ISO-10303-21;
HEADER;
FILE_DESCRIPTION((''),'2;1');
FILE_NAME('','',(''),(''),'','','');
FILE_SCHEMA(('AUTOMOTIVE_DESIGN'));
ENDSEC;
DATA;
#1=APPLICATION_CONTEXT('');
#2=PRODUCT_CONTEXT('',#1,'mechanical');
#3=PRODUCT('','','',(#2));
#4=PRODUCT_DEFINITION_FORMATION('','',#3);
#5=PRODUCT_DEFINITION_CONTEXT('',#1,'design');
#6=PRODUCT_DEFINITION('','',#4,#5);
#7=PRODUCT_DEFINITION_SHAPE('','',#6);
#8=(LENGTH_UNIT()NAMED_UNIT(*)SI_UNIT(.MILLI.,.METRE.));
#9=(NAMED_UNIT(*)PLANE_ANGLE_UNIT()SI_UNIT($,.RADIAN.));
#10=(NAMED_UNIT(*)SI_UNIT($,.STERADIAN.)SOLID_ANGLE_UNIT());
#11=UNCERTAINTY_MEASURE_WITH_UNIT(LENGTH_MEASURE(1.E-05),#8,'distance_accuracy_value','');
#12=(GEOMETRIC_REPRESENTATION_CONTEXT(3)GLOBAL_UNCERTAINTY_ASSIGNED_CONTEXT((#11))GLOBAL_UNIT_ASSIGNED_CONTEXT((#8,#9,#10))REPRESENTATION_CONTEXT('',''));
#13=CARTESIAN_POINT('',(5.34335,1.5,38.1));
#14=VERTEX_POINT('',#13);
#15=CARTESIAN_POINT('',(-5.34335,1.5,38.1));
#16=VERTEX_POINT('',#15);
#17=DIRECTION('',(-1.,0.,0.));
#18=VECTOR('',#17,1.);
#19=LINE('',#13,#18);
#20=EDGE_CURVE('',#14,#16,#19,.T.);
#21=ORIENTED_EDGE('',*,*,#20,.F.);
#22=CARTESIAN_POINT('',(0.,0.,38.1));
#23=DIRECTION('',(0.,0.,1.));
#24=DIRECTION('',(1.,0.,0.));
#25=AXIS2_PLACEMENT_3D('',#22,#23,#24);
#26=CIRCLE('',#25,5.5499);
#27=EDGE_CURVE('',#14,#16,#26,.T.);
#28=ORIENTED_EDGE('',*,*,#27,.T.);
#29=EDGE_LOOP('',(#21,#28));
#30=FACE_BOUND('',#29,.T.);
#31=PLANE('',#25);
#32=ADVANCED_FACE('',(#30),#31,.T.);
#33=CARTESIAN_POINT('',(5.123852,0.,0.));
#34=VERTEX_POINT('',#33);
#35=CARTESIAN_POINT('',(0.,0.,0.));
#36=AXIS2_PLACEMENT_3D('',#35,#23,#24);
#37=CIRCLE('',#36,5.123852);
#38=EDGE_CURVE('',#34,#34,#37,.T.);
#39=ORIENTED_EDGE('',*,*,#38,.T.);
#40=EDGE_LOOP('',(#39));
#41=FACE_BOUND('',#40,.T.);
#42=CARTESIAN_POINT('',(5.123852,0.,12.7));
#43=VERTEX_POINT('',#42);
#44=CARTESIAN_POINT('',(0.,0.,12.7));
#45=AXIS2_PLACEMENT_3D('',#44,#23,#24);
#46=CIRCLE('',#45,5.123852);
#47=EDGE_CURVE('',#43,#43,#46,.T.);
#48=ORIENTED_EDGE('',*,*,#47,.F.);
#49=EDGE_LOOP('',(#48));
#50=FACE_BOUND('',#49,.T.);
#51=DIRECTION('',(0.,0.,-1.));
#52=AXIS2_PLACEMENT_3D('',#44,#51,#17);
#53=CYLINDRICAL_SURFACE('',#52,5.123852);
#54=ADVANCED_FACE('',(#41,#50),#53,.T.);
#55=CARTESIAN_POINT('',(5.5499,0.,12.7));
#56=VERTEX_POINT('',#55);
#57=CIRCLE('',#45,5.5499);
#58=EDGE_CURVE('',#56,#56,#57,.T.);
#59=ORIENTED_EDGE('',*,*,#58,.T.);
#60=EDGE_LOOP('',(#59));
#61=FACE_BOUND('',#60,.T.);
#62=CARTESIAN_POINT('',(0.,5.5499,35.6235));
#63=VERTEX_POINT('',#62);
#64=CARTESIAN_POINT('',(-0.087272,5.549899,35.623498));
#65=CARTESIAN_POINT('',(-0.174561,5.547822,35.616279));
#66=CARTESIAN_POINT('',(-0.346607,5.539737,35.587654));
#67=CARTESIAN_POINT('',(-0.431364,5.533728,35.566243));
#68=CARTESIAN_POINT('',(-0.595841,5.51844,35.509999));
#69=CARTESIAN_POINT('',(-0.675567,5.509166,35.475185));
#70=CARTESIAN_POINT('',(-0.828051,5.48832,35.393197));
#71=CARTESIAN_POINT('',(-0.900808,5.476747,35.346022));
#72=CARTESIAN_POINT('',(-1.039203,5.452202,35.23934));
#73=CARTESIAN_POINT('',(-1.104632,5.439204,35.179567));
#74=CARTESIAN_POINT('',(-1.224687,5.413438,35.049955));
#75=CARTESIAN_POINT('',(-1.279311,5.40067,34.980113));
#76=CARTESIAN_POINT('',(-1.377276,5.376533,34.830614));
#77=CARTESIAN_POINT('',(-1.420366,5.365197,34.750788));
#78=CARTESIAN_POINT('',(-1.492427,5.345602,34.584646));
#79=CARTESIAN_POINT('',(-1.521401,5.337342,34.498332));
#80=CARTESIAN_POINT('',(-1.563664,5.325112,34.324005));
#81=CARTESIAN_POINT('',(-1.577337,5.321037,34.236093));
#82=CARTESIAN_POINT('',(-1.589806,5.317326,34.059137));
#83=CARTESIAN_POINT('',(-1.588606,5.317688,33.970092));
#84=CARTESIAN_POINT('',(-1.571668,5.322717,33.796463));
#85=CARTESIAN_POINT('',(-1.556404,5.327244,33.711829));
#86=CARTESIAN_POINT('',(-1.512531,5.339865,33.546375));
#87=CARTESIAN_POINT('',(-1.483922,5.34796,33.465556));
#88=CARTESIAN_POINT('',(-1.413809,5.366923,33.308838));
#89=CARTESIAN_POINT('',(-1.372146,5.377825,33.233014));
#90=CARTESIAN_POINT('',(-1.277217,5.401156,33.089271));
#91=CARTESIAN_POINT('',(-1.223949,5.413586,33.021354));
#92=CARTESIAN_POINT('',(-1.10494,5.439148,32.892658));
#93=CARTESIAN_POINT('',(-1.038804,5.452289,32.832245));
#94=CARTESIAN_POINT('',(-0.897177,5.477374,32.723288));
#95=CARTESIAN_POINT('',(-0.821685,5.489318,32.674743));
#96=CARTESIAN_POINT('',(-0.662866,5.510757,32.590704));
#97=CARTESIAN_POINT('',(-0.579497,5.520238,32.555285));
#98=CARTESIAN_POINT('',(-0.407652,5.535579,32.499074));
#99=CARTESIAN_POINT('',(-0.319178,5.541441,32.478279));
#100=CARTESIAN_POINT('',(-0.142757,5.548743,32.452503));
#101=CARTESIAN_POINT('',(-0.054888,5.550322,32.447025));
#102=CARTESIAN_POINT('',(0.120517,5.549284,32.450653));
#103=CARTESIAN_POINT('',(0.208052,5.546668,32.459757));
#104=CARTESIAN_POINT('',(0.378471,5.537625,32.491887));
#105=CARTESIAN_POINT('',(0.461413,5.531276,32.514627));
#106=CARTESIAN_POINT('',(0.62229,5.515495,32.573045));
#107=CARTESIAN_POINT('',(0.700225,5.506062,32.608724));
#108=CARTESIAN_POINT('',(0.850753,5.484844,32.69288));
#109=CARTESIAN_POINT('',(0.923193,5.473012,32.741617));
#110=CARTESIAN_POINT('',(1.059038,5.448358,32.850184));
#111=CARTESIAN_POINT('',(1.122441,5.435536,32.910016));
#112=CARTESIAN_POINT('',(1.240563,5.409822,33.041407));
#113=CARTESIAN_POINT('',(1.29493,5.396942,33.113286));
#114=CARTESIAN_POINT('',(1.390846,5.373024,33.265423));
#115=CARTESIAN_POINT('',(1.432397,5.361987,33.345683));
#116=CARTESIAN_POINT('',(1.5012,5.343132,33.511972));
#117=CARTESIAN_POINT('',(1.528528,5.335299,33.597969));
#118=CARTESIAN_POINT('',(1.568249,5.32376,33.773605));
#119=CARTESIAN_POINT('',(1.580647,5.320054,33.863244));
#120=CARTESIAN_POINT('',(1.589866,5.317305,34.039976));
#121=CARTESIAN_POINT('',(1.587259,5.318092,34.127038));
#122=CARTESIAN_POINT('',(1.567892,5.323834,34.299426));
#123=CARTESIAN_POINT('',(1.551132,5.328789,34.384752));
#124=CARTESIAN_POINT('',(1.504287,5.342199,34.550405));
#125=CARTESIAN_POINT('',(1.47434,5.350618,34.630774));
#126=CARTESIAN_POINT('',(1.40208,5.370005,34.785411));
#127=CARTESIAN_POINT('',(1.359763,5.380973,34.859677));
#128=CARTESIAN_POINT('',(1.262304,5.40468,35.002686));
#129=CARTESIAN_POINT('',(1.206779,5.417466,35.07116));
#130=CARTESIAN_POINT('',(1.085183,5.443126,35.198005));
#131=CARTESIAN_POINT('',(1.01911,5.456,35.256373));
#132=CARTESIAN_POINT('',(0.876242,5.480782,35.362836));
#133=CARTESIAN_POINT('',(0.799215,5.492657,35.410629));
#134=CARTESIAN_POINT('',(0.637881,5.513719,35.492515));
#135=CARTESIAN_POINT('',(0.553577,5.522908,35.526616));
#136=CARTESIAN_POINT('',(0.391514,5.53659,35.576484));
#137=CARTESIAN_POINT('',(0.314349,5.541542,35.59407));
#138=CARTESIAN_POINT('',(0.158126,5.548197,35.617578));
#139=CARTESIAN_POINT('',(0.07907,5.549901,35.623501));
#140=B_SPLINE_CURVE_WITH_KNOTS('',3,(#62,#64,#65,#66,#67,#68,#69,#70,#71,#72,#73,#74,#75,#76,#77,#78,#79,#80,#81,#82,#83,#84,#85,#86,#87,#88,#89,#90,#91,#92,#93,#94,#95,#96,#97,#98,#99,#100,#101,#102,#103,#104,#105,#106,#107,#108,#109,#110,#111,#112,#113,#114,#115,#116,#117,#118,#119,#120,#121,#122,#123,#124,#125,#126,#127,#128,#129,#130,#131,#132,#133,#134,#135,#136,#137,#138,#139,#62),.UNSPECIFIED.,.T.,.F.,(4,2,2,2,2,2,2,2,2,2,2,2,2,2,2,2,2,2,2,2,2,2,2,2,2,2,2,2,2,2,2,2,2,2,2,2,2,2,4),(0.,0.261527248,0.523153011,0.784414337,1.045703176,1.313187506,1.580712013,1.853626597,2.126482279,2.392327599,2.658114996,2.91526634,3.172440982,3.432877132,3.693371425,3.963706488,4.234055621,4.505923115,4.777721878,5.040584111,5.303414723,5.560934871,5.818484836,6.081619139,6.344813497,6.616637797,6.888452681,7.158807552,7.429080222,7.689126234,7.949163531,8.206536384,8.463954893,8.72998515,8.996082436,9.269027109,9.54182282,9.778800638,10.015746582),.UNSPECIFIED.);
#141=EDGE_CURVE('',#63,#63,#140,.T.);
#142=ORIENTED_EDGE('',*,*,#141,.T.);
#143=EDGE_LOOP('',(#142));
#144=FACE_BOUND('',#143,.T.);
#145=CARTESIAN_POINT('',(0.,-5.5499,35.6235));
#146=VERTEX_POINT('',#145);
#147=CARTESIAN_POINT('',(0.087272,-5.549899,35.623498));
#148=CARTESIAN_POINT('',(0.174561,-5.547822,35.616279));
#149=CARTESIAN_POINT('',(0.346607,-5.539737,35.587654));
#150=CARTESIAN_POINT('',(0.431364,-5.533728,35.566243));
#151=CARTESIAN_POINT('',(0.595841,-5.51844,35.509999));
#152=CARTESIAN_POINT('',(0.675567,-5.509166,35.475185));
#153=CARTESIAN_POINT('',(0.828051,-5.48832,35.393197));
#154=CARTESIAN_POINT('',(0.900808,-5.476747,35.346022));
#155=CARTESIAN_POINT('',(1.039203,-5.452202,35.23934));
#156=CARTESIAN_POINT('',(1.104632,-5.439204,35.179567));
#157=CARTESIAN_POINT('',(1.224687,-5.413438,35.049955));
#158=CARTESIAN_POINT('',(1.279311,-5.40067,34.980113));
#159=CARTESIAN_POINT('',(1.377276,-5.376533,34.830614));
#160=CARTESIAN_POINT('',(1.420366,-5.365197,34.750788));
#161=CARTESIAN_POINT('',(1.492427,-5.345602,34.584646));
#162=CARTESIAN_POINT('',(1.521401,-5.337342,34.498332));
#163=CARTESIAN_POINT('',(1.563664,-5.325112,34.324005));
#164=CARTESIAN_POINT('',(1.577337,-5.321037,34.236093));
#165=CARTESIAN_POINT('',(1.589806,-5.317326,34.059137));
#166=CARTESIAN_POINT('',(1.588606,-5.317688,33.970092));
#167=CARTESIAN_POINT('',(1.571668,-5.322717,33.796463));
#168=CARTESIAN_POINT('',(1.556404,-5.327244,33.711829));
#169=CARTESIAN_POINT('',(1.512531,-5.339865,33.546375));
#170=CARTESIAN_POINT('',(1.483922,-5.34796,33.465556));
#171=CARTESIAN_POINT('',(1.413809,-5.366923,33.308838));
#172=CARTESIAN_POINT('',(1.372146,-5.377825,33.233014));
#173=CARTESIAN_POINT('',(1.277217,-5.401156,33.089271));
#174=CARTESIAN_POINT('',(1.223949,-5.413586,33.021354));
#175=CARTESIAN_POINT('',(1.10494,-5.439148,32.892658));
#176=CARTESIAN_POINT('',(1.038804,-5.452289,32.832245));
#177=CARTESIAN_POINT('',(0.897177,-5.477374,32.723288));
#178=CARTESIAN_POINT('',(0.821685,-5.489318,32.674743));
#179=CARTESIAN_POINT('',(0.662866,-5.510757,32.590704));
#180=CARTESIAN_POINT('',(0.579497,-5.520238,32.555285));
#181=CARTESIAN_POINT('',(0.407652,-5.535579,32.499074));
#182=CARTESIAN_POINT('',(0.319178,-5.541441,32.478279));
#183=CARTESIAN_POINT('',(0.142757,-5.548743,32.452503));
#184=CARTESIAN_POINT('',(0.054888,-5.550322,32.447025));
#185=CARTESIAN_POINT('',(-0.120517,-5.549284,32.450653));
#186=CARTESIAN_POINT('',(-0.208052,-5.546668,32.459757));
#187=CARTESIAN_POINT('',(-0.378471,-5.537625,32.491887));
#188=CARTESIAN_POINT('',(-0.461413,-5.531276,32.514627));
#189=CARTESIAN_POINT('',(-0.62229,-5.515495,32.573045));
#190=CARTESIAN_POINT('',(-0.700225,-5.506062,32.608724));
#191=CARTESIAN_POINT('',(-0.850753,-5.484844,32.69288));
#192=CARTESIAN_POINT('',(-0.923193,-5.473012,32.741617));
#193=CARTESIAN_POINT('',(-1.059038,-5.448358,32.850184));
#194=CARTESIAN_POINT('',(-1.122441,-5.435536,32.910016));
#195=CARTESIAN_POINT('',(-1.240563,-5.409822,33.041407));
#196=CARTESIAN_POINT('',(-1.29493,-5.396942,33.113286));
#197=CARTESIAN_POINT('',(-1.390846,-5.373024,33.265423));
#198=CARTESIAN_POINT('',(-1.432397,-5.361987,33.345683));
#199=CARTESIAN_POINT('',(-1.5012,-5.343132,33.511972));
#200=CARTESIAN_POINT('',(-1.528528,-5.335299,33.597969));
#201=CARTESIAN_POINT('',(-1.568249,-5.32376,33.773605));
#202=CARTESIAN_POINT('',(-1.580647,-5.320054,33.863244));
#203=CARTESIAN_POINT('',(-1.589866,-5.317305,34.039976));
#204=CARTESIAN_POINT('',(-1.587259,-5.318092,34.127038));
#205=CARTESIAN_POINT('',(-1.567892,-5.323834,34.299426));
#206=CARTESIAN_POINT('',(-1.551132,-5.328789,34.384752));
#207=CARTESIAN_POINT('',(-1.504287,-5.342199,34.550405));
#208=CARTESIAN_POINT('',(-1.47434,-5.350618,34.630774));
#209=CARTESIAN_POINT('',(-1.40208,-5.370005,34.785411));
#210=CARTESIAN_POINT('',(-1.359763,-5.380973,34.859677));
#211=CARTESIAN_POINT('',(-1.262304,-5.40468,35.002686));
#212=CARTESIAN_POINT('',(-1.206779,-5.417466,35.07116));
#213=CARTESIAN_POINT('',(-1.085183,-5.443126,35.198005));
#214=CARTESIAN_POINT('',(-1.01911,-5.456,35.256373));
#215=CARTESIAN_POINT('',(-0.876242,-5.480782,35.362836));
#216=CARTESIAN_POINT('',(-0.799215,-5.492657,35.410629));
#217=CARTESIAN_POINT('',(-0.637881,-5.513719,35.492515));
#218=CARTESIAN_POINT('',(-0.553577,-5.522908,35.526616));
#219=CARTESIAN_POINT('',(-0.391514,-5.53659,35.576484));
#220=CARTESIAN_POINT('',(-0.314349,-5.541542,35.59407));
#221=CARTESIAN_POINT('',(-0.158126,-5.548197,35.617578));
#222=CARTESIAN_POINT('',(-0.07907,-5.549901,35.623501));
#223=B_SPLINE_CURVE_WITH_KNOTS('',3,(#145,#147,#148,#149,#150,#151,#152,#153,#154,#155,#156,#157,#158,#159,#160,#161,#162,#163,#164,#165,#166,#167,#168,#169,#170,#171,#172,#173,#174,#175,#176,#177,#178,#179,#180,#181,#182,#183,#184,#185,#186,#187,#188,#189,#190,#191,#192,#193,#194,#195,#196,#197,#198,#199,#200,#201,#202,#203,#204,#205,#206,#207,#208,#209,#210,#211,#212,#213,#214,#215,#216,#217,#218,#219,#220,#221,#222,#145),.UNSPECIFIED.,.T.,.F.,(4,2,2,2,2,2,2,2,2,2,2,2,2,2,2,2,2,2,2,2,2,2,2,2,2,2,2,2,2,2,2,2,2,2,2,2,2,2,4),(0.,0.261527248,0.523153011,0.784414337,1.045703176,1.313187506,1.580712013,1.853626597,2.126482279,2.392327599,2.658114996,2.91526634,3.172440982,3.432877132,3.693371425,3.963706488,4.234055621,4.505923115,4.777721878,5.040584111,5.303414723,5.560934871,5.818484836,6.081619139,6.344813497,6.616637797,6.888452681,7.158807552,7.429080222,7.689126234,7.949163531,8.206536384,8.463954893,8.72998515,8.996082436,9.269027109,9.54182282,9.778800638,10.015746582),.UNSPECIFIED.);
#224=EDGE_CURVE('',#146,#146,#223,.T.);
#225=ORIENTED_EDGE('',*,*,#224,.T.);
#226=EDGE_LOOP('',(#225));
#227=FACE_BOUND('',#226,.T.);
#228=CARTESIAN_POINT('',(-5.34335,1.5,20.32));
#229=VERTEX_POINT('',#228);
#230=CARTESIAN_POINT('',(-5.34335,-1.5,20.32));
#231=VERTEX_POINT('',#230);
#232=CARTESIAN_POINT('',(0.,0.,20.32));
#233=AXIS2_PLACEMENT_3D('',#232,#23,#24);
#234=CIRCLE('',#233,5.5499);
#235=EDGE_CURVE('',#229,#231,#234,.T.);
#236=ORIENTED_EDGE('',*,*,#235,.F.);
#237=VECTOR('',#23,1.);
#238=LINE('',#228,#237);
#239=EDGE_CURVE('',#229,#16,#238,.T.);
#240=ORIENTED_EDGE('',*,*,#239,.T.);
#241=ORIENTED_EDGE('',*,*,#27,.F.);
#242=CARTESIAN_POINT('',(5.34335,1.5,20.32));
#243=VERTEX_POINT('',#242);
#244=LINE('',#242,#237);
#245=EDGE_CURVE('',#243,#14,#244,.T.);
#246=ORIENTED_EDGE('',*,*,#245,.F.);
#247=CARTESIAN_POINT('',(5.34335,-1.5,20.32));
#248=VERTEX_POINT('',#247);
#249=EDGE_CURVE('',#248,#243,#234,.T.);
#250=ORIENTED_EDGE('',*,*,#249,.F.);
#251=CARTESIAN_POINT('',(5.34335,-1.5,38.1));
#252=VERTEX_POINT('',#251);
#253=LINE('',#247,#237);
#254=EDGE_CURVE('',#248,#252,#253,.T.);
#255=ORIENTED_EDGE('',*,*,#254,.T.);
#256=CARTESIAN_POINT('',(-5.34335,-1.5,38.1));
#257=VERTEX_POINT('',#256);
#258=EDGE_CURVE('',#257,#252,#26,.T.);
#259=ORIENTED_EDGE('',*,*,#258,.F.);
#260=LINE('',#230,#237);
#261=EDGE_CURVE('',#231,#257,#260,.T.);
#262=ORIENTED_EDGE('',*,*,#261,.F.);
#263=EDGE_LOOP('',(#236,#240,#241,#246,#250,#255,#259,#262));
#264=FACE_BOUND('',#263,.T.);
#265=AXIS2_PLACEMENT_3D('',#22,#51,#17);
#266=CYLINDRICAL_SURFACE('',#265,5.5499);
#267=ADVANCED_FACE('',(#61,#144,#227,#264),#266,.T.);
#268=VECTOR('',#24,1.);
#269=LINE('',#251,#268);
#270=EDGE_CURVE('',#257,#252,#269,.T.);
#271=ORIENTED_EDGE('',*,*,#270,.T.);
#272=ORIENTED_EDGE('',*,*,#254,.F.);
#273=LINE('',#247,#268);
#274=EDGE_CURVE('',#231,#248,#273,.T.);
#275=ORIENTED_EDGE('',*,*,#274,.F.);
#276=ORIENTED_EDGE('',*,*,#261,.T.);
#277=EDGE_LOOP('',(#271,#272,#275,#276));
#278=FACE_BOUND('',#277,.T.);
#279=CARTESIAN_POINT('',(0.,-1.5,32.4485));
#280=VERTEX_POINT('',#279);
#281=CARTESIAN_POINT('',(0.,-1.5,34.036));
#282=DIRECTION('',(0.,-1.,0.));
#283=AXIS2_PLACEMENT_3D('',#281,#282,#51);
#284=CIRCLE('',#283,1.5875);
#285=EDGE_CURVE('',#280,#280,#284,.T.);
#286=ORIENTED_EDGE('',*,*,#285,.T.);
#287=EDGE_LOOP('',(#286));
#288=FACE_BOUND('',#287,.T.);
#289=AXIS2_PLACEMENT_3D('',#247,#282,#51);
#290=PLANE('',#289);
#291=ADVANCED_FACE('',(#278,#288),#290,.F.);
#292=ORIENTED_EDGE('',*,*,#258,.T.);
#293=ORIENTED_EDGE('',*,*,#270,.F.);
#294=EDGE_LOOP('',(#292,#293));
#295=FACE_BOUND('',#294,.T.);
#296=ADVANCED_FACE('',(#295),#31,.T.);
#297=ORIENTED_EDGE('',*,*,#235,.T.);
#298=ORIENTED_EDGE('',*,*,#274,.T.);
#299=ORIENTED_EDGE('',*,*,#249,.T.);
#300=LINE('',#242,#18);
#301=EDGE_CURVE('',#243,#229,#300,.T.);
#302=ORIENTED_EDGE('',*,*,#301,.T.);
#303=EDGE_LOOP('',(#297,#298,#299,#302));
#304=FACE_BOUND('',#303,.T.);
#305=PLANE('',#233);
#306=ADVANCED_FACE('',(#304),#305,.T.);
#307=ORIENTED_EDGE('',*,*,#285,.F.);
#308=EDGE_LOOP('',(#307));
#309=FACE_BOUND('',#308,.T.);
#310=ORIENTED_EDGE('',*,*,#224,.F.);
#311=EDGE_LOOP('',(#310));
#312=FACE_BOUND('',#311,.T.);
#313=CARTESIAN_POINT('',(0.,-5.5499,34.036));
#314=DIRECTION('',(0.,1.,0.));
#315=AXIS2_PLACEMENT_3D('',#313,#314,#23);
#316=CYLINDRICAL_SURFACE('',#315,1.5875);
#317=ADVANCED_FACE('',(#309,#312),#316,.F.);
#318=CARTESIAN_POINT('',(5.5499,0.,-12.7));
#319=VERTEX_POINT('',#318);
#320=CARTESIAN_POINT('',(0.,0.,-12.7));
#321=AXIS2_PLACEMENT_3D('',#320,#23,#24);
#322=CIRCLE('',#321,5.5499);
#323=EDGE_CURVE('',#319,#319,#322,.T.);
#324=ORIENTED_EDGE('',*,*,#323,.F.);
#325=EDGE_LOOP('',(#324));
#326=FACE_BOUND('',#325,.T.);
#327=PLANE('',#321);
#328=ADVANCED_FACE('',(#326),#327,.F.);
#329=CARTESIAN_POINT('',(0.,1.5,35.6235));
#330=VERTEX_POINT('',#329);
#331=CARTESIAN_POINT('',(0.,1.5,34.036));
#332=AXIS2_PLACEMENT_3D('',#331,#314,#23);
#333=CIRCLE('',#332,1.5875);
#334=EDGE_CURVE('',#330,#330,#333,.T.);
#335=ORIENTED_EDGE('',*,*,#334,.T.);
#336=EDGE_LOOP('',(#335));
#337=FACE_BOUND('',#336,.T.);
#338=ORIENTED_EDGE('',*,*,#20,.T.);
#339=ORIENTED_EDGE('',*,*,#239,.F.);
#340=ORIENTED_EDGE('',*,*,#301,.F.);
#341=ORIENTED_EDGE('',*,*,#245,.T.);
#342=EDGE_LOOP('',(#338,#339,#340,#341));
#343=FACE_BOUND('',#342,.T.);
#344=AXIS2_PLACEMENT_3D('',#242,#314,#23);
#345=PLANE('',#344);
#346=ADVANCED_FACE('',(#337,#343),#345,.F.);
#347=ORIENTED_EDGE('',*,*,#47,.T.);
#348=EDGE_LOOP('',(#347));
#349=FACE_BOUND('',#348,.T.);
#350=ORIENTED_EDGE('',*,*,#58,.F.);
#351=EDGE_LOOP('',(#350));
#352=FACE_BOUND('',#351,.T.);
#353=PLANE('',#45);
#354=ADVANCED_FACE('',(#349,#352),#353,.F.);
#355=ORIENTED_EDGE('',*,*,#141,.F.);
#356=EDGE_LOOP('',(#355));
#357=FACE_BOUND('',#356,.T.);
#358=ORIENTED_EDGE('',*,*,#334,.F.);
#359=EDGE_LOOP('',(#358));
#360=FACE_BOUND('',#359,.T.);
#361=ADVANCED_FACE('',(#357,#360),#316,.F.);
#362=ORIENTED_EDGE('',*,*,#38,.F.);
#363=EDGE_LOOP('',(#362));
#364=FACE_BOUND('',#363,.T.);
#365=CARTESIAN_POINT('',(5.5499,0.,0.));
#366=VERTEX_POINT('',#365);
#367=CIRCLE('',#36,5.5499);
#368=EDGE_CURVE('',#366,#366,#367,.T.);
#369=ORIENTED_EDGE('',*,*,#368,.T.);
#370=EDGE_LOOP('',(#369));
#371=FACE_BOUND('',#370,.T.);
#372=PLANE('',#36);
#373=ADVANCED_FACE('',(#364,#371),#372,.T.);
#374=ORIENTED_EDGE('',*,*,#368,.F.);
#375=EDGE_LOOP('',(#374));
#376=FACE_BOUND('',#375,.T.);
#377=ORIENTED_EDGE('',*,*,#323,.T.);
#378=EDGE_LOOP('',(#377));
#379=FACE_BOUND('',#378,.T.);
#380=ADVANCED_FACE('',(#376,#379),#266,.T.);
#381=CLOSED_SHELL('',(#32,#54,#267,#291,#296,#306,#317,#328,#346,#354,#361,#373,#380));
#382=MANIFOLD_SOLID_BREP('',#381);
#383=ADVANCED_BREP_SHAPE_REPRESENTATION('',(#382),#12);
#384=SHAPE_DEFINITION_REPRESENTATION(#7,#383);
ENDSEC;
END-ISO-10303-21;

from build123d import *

# Parameters (mm, degrees)
SKETCH1_R               = 5.5499
BOSS_EXTRUDE1_DEPTH     = 38.1
CUT_EXTRUDE1_DEPTH      = 17.78
SKETCH3_R               = 1.5875
CUT_EXTRUDE2_DEPTH      = 8.0499
CUT_EXTRUDE2_DEPTH_BACK = 5.0499
SKETCH4_R               = 5.5499
BOSS_EXTRUDE4_DEPTH     = 12.7
SKETCH6_R               = 5.5499
SKETCH6_R_2             = 5.12385248
CUT_EXTRUDE4_DEPTH      = 12.7


with BuildPart() as part:
    # Sketch1 → Boss-Extrude1 (new body)
    with BuildSketch(Plane.XY):
        Circle(SKETCH1_R)
    extrude(amount=BOSS_EXTRUDE1_DEPTH)

    # Sketch2 → Cut-Extrude1 (cut)
    with BuildSketch(Plane.XY.offset(38.1)):
        with BuildLine():
            Line((5.343350074, 1.5), (-5.343350074, 1.5))
            ThreePointArc((-5.343350074, 1.5), (-5.5499, 0), (-5.343350074, -1.5))
            Line((-5.343350074, -1.5), (5.343350074, -1.5))
            ThreePointArc((5.343350074, -1.5), (5.5499, 0), (5.343350074, 1.5))
        make_face()
    extrude(amount=-CUT_EXTRUDE1_DEPTH, mode=Mode.SUBTRACT)

    # Sketch3 → Cut-Extrude2 (cut, two sides)
    with BuildSketch(Plane(origin=(0, -1.5, 0), x_dir=(1, 0, 0), z_dir=(0, 1, 0))) as cut_extrude2_sk:
        with Locations((0, -34.036)):
            Circle(SKETCH3_R)
    extrude(amount=CUT_EXTRUDE2_DEPTH, mode=Mode.SUBTRACT)
    extrude(cut_extrude2_sk.sketch, amount=-CUT_EXTRUDE2_DEPTH_BACK, mode=Mode.SUBTRACT)

    # Sketch4 → Boss-Extrude4 (add)
    with BuildSketch(Plane.XY):
        Circle(SKETCH4_R)
    extrude(amount=-BOSS_EXTRUDE4_DEPTH)

    # Sketch6 → Cut-Extrude4 (cut)
    with BuildSketch(Plane.XY):
        Circle(SKETCH6_R)
        Circle(SKETCH6_R_2, mode=Mode.SUBTRACT)
    extrude(amount=CUT_EXTRUDE4_DEPTH, mode=Mode.SUBTRACT)


solid = part.part
